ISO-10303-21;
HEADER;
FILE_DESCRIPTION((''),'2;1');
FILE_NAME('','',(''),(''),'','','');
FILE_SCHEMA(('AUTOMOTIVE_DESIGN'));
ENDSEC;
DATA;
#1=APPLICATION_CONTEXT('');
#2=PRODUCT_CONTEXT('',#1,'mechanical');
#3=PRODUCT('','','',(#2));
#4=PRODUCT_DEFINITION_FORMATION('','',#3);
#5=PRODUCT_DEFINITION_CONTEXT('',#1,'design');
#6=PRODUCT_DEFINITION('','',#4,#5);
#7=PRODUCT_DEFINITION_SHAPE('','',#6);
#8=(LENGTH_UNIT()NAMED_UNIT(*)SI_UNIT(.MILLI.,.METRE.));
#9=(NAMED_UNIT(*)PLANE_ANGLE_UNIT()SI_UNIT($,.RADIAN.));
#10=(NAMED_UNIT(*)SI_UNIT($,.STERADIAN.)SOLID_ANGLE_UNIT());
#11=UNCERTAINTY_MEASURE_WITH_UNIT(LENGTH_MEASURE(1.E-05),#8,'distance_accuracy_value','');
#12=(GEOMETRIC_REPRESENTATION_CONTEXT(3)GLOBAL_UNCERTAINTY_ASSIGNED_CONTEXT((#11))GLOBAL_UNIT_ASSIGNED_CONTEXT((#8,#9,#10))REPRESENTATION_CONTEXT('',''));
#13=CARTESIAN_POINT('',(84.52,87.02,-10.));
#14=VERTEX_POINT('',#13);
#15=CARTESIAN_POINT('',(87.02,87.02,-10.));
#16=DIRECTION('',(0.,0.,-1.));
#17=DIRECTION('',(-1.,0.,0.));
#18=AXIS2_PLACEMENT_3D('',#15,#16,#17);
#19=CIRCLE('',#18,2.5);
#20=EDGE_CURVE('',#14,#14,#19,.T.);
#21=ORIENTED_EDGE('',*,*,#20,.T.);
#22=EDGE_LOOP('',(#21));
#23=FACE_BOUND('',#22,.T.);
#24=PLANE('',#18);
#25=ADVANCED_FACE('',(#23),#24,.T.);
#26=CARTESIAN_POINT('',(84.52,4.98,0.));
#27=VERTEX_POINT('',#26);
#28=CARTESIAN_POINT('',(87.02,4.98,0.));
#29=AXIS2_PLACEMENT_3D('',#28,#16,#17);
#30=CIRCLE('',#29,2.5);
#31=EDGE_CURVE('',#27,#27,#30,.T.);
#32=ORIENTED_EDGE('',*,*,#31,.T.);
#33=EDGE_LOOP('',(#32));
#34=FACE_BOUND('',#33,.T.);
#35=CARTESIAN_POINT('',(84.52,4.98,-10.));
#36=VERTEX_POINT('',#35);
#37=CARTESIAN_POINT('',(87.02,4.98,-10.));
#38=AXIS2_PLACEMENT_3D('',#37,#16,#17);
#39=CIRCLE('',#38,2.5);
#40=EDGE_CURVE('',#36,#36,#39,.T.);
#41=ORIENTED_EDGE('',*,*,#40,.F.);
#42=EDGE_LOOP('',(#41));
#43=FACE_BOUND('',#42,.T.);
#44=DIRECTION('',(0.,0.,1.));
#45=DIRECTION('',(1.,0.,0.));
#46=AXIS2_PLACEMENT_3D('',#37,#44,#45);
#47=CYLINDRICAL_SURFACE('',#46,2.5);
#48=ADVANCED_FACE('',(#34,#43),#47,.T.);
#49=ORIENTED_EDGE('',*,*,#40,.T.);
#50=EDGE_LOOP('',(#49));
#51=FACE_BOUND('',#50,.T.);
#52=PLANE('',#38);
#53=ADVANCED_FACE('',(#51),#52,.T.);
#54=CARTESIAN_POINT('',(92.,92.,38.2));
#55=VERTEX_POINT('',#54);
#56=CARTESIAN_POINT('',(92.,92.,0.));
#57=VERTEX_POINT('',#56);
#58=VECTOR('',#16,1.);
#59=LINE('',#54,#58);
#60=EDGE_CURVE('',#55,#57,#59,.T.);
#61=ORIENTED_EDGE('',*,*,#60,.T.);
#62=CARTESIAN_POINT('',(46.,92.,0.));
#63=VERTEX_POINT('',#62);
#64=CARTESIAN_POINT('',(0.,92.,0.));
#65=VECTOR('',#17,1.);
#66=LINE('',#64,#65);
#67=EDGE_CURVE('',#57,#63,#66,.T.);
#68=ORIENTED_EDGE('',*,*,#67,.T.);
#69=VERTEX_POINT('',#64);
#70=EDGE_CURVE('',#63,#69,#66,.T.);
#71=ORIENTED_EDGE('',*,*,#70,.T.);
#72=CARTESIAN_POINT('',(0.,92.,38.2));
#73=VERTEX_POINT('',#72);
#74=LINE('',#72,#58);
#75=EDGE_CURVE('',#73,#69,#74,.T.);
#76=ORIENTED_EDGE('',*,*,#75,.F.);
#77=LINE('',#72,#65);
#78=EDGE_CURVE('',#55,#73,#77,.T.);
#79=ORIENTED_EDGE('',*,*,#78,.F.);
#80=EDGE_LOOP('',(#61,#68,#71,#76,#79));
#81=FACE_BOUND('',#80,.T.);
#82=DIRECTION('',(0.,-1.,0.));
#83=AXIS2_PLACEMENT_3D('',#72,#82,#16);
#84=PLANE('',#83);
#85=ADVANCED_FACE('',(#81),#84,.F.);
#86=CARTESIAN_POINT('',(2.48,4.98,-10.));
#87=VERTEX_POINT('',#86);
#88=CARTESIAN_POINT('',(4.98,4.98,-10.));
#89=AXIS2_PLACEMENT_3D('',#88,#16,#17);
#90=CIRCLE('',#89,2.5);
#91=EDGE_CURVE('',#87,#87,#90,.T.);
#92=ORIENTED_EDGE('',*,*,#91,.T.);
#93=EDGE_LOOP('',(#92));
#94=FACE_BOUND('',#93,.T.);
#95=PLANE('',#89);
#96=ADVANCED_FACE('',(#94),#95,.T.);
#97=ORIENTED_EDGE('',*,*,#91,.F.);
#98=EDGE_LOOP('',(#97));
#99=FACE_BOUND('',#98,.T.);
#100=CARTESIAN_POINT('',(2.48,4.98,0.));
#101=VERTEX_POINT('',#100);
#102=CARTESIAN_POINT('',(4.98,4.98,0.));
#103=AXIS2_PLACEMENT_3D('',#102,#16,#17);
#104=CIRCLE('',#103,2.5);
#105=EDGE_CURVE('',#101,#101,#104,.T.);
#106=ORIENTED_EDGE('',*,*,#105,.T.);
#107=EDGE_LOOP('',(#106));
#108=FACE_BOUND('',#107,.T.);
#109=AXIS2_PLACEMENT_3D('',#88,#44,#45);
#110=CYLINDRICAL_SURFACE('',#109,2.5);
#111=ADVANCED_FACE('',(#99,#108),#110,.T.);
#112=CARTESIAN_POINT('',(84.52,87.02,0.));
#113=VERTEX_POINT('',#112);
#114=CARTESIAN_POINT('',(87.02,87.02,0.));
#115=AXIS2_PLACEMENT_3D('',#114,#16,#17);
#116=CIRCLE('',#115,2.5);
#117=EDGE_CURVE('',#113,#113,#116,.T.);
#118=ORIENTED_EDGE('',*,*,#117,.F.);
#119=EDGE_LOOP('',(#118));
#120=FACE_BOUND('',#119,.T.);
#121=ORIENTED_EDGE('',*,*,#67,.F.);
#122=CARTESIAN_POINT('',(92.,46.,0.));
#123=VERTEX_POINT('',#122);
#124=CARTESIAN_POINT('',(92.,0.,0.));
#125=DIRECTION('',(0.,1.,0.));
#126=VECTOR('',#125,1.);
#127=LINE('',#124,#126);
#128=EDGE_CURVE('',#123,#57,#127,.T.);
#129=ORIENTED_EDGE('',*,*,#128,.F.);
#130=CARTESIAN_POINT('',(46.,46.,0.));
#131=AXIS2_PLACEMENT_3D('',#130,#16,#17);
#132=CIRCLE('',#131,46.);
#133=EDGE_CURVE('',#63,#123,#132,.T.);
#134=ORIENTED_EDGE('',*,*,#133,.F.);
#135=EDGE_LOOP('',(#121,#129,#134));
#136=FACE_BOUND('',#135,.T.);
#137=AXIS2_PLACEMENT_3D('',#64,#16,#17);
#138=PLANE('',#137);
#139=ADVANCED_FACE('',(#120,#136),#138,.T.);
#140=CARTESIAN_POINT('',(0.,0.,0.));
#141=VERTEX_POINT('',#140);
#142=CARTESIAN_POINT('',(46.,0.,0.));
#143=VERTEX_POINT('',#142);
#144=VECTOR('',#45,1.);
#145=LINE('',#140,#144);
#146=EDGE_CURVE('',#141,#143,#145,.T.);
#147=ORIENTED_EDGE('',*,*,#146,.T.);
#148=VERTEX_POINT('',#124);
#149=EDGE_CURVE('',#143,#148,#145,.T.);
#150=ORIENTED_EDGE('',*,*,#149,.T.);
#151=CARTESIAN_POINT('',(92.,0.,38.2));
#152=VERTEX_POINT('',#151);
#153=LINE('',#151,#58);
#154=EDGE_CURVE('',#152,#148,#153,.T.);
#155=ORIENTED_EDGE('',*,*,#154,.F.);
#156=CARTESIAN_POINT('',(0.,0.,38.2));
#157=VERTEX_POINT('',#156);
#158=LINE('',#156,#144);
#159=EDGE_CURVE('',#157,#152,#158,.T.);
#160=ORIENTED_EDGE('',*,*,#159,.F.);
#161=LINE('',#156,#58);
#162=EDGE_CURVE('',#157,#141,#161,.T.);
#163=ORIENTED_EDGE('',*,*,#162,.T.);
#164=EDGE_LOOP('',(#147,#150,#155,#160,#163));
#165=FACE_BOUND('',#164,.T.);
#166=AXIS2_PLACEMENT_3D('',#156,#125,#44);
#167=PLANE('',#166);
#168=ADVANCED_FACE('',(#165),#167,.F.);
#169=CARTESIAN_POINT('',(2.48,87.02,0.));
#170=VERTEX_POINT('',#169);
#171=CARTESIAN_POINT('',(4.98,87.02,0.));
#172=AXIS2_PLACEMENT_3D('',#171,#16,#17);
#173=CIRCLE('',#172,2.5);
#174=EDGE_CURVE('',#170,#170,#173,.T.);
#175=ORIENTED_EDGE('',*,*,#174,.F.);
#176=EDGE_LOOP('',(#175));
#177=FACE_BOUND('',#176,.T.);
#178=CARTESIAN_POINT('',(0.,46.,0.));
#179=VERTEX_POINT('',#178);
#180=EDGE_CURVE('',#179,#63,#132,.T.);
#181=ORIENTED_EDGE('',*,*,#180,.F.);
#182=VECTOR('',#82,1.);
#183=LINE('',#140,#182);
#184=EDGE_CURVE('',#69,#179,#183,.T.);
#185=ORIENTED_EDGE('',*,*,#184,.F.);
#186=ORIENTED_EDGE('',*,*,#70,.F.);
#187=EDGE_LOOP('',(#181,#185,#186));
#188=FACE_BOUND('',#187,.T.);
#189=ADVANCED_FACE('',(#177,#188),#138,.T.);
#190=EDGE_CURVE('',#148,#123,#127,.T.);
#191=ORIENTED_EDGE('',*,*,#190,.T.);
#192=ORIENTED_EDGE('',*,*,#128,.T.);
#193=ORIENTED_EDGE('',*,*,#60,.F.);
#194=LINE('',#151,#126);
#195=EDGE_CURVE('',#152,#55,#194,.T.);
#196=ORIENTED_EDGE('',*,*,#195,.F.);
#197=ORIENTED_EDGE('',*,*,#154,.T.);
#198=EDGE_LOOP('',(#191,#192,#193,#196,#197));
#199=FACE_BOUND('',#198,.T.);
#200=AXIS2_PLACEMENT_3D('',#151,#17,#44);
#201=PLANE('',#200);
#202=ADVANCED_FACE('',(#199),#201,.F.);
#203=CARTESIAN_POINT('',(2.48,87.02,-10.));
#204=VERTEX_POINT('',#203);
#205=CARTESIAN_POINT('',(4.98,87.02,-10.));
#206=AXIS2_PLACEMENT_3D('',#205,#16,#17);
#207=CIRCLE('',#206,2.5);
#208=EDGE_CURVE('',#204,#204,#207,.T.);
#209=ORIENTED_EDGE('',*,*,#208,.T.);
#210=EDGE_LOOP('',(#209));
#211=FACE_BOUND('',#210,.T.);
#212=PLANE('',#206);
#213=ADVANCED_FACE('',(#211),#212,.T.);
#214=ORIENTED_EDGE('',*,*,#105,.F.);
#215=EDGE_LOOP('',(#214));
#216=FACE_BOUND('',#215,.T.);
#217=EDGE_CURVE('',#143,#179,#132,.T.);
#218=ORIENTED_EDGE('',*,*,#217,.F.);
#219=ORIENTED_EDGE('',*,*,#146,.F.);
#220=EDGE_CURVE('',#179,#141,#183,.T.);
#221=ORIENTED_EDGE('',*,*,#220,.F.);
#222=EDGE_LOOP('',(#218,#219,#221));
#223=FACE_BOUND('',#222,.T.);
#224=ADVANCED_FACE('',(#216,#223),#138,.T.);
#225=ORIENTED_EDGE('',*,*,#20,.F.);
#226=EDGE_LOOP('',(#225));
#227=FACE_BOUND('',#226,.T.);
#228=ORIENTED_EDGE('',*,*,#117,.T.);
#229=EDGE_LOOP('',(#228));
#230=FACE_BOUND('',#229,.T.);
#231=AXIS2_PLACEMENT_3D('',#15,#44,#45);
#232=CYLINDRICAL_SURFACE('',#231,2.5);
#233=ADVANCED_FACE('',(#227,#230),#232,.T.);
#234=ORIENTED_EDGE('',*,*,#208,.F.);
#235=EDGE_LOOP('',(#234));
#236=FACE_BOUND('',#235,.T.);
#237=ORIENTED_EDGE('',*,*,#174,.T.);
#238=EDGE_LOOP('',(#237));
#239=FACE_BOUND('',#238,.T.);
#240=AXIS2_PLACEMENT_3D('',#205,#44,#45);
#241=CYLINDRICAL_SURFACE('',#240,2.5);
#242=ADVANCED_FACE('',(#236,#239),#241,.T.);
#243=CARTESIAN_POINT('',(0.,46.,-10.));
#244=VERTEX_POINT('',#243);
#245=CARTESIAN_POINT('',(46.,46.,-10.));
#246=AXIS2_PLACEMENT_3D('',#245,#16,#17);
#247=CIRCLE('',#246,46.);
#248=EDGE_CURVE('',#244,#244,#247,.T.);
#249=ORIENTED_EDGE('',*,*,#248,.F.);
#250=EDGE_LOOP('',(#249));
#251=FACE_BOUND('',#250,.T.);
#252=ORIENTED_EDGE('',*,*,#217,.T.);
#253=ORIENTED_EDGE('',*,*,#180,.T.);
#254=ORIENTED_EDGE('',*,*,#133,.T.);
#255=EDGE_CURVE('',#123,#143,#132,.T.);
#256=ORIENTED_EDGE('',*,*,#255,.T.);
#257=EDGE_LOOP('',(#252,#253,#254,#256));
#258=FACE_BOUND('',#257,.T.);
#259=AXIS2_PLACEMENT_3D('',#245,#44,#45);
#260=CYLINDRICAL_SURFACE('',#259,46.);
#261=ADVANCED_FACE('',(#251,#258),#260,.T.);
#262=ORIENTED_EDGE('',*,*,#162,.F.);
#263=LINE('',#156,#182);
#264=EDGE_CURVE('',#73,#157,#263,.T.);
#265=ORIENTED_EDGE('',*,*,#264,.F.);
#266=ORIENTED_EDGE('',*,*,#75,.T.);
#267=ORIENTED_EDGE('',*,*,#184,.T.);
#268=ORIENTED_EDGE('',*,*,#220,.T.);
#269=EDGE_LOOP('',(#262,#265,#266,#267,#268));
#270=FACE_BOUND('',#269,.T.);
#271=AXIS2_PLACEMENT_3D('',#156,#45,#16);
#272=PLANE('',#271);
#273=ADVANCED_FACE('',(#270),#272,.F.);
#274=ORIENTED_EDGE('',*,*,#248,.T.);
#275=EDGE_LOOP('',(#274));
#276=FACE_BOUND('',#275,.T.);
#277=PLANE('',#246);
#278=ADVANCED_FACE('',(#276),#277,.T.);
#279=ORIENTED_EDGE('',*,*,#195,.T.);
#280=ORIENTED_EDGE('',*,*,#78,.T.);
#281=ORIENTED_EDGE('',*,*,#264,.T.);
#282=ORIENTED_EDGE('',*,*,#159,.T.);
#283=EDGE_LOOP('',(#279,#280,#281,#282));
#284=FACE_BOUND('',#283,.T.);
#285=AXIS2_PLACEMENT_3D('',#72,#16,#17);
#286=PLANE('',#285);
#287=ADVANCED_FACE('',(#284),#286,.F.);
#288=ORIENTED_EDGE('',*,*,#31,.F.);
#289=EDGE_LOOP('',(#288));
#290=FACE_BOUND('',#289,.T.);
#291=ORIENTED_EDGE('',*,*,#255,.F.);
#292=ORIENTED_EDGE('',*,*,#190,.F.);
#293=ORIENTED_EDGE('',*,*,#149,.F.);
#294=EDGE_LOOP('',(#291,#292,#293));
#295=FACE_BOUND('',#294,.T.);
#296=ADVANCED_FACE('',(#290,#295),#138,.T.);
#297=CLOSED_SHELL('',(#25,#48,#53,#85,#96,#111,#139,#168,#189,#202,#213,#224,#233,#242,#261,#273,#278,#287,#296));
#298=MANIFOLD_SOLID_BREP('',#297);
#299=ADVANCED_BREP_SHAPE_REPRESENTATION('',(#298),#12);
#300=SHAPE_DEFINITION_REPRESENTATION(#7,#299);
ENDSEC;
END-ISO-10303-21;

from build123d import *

# Parameters (mm, degrees)
SKETCH2_W           = 92
SKETCH2_H           = 92
BOSS_EXTRUDE1_DEPTH = 38.2
SKETCH3_R           = 2.5
BOSS_EXTRUDE2_DEPTH = 10
SKETCH4_R           = 46
BOSS_EXTRUDE3_DEPTH = 10


with BuildPart() as part:
    # Sketch2 → Boss-Extrude1 (new body)
    with BuildSketch(Plane.XY):
        with Locations((46, 46)):
            Rectangle(SKETCH2_W, SKETCH2_H)
    extrude(amount=BOSS_EXTRUDE1_DEPTH)

    # Sketch3 → Boss-Extrude2 (add)
    with BuildSketch(Plane(origin=(0, 0, 0), x_dir=(-1, 0, 0), z_dir=(0, 0, -1))):
        with Locations((-4.98, 4.98)):
            Circle(SKETCH3_R)
        with Locations((-87.02, 4.98)):
            Circle(SKETCH3_R)
        with Locations((-87.02, 87.02)):
            Circle(SKETCH3_R)
        with Locations((-4.98, 87.02)):
            Circle(SKETCH3_R)
    extrude(amount=BOSS_EXTRUDE2_DEPTH)

    # Sketch4 → Boss-Extrude3 (add)
    with BuildSketch(Plane(origin=(0, 0, 0), x_dir=(-1, 0, 0), z_dir=(0, 0, -1))):
        with Locations((-46, 46)):
            Circle(SKETCH4_R)
    extrude(amount=BOSS_EXTRUDE3_DEPTH)


solid = part.part
